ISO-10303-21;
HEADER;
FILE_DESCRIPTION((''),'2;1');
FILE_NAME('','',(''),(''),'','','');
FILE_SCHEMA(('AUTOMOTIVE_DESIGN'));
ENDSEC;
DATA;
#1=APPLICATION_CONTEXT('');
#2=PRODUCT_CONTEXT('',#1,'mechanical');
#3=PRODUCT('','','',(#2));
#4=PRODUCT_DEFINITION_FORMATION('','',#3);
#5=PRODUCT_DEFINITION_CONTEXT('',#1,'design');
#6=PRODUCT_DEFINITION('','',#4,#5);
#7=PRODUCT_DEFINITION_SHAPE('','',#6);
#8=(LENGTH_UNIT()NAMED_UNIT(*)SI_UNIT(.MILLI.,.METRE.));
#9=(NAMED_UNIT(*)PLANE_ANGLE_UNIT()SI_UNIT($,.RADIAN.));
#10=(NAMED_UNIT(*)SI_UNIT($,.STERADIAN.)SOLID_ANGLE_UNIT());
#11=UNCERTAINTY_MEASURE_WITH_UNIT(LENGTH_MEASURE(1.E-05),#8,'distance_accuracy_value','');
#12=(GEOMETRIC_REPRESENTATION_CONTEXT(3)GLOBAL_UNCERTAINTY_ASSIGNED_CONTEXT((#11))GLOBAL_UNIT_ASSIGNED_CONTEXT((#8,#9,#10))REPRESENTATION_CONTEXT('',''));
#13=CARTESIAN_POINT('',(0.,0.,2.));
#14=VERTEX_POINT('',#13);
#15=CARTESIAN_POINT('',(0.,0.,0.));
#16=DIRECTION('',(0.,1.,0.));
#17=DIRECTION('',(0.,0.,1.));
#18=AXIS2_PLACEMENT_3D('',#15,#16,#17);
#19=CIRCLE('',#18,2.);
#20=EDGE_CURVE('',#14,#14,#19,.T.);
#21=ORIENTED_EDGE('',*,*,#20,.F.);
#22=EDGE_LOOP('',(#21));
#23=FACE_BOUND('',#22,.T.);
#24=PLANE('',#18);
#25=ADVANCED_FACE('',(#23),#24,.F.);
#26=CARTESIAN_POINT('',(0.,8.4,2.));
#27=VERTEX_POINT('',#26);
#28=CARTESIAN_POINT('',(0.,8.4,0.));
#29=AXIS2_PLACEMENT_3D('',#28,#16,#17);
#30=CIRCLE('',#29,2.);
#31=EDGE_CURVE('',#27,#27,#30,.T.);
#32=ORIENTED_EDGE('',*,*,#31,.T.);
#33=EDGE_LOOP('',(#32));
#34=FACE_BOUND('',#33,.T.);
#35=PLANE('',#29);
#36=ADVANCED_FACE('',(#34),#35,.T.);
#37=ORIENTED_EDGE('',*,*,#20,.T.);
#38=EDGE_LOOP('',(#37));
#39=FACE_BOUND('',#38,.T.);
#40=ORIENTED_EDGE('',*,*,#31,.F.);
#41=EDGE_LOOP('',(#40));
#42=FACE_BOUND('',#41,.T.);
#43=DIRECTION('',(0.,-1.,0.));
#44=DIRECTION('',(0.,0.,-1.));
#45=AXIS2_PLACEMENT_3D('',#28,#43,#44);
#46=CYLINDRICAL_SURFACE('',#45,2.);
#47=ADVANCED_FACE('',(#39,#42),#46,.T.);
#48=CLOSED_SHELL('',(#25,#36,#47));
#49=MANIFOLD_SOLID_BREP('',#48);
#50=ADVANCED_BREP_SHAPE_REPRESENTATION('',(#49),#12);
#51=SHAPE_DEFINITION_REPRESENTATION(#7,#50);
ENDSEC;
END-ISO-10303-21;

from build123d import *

# Parameters (mm, degrees)
SKETCH1_R           = 2
BOSS_EXTRUDE1_DEPTH = 8.4


with BuildPart() as part:
    # Sketch1 → Boss-Extrude1 (new body)
    with BuildSketch(Plane(origin=(0, 0, 0), x_dir=(1, 0, 0), z_dir=(0, 1, 0))):
        with Locations(Location((0, 0, 0), (0, 0, 270))):
            Circle(SKETCH1_R)
    extrude(amount=BOSS_EXTRUDE1_DEPTH)


solid = part.part
